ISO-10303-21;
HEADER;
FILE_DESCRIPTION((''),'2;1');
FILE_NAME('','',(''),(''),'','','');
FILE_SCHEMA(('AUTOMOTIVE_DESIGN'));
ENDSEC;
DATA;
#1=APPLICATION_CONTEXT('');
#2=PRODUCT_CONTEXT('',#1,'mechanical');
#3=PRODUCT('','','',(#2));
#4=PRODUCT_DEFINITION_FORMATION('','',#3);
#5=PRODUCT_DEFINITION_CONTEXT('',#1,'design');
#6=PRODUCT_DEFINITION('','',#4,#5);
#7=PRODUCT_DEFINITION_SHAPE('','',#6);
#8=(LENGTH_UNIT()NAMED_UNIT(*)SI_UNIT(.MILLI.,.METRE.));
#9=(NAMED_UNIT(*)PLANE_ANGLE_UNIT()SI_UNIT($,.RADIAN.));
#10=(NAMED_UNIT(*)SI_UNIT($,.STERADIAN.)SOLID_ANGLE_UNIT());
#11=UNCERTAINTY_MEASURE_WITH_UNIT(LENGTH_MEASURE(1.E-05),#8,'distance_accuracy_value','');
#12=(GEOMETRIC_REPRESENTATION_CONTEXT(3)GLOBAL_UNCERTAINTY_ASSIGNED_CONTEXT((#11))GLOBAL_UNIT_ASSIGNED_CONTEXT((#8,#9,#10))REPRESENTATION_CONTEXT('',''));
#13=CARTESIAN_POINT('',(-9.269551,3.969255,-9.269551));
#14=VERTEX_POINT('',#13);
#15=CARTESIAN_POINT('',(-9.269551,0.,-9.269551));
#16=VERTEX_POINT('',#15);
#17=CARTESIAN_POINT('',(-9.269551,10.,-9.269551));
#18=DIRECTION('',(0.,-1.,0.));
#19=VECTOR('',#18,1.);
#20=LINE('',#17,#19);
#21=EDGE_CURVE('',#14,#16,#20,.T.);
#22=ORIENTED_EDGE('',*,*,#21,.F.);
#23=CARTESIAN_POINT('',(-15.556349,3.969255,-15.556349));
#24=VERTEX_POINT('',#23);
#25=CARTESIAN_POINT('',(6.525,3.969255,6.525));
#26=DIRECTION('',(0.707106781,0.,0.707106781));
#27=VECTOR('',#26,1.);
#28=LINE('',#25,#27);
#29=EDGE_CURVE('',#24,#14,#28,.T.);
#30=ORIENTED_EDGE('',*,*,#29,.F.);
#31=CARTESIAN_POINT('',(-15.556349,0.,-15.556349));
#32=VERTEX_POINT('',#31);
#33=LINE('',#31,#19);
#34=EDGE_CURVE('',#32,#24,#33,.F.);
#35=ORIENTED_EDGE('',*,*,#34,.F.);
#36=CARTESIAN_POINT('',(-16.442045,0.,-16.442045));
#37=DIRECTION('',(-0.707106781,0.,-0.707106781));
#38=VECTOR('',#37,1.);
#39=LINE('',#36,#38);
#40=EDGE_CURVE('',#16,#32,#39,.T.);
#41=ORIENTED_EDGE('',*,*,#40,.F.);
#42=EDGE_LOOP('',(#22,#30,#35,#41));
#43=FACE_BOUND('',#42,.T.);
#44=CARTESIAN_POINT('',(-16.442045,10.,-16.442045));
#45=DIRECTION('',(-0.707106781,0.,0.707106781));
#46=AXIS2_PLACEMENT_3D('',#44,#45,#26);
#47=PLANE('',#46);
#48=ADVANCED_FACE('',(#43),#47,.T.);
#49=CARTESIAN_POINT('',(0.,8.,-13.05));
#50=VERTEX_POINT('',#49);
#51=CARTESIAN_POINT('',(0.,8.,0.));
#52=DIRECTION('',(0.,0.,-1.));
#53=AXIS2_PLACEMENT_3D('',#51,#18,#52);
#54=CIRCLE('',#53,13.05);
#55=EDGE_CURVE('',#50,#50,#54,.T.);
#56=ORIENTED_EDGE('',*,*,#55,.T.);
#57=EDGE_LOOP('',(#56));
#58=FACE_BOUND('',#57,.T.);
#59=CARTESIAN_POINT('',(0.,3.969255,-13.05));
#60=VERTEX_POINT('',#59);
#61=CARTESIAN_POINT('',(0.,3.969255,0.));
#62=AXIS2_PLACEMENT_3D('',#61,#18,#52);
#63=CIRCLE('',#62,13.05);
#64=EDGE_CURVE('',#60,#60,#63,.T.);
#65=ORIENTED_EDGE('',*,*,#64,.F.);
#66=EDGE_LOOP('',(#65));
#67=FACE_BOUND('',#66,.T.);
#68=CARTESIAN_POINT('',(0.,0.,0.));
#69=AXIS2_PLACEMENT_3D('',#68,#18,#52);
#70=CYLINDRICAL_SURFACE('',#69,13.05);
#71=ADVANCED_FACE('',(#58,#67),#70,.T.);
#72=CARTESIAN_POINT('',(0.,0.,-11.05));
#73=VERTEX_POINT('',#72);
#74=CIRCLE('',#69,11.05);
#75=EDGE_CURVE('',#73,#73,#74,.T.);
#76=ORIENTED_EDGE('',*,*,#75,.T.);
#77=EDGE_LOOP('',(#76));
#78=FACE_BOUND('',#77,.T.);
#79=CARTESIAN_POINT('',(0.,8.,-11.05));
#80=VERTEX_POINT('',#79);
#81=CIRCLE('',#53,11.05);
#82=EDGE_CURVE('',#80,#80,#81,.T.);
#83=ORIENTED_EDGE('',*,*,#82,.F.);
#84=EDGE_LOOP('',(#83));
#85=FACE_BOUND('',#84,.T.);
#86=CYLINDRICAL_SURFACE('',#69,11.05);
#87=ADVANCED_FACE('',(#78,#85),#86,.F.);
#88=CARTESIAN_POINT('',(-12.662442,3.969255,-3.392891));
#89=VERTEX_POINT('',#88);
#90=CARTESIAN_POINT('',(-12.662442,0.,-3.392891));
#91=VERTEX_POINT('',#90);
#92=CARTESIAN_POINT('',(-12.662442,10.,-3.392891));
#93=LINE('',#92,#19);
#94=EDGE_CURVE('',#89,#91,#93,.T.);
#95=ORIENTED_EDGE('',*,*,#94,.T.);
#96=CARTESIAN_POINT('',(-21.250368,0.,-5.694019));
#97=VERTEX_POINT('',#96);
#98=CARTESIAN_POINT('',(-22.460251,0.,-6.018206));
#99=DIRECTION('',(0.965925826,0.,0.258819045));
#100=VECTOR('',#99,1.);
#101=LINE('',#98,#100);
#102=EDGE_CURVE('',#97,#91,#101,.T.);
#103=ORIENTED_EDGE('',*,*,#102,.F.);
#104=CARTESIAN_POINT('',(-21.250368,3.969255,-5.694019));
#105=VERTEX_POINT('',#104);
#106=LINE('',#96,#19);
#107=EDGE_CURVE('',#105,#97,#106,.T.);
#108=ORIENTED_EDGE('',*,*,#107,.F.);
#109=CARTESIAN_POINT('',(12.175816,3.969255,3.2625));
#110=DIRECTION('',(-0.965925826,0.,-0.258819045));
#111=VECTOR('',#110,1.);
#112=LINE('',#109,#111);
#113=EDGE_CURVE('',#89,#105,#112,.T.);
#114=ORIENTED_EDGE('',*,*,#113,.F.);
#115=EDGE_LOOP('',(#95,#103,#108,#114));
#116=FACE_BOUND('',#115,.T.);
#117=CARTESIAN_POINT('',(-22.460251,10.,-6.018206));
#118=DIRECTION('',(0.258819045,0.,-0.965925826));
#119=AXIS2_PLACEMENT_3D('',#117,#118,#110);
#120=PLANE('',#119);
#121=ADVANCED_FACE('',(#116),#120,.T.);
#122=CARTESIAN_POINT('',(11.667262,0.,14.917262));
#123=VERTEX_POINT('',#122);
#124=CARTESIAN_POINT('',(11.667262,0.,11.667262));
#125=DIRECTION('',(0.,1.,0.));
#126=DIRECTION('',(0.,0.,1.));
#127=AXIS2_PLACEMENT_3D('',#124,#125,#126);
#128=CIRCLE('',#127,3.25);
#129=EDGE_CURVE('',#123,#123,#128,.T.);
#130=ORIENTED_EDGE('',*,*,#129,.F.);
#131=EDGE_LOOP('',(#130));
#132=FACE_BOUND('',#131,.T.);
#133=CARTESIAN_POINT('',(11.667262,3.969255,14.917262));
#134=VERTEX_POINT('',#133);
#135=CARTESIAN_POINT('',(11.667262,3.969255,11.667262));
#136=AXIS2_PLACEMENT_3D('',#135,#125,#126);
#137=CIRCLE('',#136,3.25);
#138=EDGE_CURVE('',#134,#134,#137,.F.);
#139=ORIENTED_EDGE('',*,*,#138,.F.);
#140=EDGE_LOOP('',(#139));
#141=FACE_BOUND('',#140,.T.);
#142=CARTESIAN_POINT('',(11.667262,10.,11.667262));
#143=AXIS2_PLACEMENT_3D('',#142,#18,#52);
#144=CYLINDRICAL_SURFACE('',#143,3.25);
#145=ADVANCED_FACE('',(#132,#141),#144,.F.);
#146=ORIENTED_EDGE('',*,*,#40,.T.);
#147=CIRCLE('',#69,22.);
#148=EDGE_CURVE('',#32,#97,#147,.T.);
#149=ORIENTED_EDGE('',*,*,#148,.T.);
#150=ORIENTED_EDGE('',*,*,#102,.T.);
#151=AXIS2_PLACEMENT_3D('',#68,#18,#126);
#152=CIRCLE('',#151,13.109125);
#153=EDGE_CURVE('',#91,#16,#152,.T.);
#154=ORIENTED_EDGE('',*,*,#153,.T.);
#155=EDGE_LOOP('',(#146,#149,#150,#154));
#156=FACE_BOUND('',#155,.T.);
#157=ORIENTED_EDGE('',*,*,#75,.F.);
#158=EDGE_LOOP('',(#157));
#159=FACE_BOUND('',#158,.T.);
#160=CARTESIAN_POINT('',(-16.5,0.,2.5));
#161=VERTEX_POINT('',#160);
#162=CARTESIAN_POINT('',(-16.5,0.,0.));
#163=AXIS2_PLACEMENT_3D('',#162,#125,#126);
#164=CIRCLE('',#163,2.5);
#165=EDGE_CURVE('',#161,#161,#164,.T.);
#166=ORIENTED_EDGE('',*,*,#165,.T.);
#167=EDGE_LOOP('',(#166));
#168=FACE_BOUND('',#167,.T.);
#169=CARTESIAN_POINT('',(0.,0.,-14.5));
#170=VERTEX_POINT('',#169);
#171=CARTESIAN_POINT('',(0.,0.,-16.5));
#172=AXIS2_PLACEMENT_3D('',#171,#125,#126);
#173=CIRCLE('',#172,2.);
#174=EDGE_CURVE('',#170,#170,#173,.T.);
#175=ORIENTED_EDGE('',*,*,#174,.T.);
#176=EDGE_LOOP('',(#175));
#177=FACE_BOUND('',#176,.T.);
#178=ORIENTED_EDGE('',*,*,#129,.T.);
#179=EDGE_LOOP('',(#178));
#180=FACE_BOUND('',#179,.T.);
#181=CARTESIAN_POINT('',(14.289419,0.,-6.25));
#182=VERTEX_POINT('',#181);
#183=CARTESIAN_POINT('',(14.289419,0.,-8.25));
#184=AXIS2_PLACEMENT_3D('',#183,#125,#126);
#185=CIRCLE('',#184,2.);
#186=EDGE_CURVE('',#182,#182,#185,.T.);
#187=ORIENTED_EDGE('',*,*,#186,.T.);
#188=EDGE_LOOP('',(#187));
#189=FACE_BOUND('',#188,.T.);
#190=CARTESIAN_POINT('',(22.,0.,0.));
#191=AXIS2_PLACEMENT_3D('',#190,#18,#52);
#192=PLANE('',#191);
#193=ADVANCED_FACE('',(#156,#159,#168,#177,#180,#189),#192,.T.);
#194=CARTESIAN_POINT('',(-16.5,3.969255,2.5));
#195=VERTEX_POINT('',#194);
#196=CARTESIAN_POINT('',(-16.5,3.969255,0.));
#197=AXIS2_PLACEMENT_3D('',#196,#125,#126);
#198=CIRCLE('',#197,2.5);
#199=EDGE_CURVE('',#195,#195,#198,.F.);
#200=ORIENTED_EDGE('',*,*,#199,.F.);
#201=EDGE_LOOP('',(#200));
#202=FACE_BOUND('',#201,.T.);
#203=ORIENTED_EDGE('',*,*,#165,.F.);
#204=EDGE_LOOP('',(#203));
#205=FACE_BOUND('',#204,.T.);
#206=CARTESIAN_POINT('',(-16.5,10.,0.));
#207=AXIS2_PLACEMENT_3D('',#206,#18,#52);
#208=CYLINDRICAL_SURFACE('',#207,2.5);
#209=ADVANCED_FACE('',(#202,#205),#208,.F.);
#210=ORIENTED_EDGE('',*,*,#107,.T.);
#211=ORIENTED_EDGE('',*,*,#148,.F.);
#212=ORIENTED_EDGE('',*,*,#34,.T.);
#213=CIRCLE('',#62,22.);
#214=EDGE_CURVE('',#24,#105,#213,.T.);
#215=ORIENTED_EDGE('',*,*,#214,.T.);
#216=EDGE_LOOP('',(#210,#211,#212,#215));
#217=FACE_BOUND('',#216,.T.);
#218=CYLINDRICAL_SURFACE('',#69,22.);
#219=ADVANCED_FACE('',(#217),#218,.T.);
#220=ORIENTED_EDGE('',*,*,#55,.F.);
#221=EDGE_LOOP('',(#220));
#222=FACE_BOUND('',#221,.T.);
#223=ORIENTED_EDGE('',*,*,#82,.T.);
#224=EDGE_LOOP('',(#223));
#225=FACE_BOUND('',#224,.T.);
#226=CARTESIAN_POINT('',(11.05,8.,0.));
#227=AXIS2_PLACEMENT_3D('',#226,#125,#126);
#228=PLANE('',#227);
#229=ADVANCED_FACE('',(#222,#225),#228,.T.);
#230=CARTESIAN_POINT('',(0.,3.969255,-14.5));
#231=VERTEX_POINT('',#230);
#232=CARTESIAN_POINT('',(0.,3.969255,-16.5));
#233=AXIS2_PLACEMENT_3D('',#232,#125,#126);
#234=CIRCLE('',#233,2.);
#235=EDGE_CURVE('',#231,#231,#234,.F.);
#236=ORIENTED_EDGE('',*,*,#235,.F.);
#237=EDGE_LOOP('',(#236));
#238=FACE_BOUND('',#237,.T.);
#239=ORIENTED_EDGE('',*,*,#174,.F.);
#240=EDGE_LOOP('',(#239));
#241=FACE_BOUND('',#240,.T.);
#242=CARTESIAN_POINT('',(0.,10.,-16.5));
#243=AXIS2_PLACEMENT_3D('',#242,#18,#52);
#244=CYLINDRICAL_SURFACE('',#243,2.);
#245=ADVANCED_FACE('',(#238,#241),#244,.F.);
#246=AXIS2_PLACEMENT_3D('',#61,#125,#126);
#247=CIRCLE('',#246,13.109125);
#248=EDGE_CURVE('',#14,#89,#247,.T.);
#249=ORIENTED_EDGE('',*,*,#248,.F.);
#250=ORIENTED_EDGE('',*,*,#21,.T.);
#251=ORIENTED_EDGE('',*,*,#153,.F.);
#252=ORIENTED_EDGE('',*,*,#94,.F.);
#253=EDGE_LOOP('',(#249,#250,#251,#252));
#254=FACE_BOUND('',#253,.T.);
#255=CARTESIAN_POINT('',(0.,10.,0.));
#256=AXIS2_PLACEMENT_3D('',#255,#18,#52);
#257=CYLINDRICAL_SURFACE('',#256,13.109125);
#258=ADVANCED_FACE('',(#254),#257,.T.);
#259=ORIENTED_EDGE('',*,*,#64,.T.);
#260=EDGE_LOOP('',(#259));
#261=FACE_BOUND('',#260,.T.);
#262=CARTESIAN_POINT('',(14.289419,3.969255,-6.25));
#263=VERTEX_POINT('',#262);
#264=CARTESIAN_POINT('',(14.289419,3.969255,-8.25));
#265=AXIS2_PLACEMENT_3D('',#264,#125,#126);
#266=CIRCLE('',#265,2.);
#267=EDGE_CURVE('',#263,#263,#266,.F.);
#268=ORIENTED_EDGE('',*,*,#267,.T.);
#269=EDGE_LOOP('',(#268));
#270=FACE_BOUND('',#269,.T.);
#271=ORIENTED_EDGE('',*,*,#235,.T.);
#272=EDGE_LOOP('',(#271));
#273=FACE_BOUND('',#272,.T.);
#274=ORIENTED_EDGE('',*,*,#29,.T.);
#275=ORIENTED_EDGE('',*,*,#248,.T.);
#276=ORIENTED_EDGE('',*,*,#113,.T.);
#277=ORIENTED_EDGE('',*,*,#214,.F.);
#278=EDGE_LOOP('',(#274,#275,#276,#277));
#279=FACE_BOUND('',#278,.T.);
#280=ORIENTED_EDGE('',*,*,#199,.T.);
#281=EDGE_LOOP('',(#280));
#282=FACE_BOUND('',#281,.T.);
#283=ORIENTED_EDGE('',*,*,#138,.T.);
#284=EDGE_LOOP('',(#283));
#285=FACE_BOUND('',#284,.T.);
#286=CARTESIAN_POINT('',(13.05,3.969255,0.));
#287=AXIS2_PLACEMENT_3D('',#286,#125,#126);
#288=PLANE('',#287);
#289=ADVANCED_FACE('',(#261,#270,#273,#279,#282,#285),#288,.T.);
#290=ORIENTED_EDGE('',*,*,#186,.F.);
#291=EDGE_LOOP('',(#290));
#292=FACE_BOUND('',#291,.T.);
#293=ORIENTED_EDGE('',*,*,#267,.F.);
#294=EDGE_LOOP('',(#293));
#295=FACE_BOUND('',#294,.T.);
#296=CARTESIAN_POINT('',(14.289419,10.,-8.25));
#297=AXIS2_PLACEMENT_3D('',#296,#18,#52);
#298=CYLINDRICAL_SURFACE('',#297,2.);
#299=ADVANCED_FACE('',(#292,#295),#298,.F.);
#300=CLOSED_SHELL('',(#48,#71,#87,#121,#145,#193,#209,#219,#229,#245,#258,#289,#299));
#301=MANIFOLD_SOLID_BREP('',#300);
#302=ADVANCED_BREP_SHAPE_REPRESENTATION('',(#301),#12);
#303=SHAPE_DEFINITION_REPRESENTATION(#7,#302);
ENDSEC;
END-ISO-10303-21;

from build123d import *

# Parameters (mm, degrees)
SKETCH3_R          = 2.5
SKETCH3_R_2        = 3.25
SKETCH3_R_3        = 2
CUT_EXTRUDE1_DEPTH = 10


with BuildPart() as part:
    # Sketch1 → Revolve1 (revolve)
    with BuildSketch(Plane.XY, mode=Mode.PRIVATE) as revolve1_sk:
        Polygon((11.05, 0), (11.05, 8), (13.05, 8), (13.05, 3.969255392), (22, 3.969255392), (22, 0), align=None)
    revolve(revolve1_sk.sketch.rotate(Axis((0, 0, 0), (0, 1, 0)), 90), axis=Axis((0, 0, 0), (0, 1, 0)))

    # Sketch3 → Cut-Extrude1 (cut)
    with BuildSketch(Plane(origin=(0, 0, 0), x_dir=(1, 0, 0), z_dir=(0, 1, 0))):
        with Locations(Location((-16.5, 0, 0), (0, 0, 270))):
            Circle(SKETCH3_R)
        with Locations(Location((11.66726189, -11.66726189, 0), (0, 0, 270))):
            Circle(SKETCH3_R_2)
        with Locations(Location((14.289419162, 8.25, 0), (0, 0, 270))):
            Circle(SKETCH3_R_3)
        with Locations(Location((0, 16.5, 0), (0, 0, 270))):
            Circle(SKETCH3_R_3)
        with BuildLine():
            Line((-16.442045207, 16.442045207), (-9.269550975, 9.269550975))
            ThreePointArc((-9.269550975, 9.269550975), (-11.352835017, 6.554562353), (-12.662442113, 3.392891138))
            Line((-12.662442113, 3.392891138), (-22.460251443, 6.018206236))
            ThreePointArc((-22.460251443, 6.018206236), (-20.137310542, 11.626281662), (-16.442045207, 16.442045207))
        make_face()
    extrude(amount=CUT_EXTRUDE1_DEPTH, mode=Mode.SUBTRACT)


solid = part.part
